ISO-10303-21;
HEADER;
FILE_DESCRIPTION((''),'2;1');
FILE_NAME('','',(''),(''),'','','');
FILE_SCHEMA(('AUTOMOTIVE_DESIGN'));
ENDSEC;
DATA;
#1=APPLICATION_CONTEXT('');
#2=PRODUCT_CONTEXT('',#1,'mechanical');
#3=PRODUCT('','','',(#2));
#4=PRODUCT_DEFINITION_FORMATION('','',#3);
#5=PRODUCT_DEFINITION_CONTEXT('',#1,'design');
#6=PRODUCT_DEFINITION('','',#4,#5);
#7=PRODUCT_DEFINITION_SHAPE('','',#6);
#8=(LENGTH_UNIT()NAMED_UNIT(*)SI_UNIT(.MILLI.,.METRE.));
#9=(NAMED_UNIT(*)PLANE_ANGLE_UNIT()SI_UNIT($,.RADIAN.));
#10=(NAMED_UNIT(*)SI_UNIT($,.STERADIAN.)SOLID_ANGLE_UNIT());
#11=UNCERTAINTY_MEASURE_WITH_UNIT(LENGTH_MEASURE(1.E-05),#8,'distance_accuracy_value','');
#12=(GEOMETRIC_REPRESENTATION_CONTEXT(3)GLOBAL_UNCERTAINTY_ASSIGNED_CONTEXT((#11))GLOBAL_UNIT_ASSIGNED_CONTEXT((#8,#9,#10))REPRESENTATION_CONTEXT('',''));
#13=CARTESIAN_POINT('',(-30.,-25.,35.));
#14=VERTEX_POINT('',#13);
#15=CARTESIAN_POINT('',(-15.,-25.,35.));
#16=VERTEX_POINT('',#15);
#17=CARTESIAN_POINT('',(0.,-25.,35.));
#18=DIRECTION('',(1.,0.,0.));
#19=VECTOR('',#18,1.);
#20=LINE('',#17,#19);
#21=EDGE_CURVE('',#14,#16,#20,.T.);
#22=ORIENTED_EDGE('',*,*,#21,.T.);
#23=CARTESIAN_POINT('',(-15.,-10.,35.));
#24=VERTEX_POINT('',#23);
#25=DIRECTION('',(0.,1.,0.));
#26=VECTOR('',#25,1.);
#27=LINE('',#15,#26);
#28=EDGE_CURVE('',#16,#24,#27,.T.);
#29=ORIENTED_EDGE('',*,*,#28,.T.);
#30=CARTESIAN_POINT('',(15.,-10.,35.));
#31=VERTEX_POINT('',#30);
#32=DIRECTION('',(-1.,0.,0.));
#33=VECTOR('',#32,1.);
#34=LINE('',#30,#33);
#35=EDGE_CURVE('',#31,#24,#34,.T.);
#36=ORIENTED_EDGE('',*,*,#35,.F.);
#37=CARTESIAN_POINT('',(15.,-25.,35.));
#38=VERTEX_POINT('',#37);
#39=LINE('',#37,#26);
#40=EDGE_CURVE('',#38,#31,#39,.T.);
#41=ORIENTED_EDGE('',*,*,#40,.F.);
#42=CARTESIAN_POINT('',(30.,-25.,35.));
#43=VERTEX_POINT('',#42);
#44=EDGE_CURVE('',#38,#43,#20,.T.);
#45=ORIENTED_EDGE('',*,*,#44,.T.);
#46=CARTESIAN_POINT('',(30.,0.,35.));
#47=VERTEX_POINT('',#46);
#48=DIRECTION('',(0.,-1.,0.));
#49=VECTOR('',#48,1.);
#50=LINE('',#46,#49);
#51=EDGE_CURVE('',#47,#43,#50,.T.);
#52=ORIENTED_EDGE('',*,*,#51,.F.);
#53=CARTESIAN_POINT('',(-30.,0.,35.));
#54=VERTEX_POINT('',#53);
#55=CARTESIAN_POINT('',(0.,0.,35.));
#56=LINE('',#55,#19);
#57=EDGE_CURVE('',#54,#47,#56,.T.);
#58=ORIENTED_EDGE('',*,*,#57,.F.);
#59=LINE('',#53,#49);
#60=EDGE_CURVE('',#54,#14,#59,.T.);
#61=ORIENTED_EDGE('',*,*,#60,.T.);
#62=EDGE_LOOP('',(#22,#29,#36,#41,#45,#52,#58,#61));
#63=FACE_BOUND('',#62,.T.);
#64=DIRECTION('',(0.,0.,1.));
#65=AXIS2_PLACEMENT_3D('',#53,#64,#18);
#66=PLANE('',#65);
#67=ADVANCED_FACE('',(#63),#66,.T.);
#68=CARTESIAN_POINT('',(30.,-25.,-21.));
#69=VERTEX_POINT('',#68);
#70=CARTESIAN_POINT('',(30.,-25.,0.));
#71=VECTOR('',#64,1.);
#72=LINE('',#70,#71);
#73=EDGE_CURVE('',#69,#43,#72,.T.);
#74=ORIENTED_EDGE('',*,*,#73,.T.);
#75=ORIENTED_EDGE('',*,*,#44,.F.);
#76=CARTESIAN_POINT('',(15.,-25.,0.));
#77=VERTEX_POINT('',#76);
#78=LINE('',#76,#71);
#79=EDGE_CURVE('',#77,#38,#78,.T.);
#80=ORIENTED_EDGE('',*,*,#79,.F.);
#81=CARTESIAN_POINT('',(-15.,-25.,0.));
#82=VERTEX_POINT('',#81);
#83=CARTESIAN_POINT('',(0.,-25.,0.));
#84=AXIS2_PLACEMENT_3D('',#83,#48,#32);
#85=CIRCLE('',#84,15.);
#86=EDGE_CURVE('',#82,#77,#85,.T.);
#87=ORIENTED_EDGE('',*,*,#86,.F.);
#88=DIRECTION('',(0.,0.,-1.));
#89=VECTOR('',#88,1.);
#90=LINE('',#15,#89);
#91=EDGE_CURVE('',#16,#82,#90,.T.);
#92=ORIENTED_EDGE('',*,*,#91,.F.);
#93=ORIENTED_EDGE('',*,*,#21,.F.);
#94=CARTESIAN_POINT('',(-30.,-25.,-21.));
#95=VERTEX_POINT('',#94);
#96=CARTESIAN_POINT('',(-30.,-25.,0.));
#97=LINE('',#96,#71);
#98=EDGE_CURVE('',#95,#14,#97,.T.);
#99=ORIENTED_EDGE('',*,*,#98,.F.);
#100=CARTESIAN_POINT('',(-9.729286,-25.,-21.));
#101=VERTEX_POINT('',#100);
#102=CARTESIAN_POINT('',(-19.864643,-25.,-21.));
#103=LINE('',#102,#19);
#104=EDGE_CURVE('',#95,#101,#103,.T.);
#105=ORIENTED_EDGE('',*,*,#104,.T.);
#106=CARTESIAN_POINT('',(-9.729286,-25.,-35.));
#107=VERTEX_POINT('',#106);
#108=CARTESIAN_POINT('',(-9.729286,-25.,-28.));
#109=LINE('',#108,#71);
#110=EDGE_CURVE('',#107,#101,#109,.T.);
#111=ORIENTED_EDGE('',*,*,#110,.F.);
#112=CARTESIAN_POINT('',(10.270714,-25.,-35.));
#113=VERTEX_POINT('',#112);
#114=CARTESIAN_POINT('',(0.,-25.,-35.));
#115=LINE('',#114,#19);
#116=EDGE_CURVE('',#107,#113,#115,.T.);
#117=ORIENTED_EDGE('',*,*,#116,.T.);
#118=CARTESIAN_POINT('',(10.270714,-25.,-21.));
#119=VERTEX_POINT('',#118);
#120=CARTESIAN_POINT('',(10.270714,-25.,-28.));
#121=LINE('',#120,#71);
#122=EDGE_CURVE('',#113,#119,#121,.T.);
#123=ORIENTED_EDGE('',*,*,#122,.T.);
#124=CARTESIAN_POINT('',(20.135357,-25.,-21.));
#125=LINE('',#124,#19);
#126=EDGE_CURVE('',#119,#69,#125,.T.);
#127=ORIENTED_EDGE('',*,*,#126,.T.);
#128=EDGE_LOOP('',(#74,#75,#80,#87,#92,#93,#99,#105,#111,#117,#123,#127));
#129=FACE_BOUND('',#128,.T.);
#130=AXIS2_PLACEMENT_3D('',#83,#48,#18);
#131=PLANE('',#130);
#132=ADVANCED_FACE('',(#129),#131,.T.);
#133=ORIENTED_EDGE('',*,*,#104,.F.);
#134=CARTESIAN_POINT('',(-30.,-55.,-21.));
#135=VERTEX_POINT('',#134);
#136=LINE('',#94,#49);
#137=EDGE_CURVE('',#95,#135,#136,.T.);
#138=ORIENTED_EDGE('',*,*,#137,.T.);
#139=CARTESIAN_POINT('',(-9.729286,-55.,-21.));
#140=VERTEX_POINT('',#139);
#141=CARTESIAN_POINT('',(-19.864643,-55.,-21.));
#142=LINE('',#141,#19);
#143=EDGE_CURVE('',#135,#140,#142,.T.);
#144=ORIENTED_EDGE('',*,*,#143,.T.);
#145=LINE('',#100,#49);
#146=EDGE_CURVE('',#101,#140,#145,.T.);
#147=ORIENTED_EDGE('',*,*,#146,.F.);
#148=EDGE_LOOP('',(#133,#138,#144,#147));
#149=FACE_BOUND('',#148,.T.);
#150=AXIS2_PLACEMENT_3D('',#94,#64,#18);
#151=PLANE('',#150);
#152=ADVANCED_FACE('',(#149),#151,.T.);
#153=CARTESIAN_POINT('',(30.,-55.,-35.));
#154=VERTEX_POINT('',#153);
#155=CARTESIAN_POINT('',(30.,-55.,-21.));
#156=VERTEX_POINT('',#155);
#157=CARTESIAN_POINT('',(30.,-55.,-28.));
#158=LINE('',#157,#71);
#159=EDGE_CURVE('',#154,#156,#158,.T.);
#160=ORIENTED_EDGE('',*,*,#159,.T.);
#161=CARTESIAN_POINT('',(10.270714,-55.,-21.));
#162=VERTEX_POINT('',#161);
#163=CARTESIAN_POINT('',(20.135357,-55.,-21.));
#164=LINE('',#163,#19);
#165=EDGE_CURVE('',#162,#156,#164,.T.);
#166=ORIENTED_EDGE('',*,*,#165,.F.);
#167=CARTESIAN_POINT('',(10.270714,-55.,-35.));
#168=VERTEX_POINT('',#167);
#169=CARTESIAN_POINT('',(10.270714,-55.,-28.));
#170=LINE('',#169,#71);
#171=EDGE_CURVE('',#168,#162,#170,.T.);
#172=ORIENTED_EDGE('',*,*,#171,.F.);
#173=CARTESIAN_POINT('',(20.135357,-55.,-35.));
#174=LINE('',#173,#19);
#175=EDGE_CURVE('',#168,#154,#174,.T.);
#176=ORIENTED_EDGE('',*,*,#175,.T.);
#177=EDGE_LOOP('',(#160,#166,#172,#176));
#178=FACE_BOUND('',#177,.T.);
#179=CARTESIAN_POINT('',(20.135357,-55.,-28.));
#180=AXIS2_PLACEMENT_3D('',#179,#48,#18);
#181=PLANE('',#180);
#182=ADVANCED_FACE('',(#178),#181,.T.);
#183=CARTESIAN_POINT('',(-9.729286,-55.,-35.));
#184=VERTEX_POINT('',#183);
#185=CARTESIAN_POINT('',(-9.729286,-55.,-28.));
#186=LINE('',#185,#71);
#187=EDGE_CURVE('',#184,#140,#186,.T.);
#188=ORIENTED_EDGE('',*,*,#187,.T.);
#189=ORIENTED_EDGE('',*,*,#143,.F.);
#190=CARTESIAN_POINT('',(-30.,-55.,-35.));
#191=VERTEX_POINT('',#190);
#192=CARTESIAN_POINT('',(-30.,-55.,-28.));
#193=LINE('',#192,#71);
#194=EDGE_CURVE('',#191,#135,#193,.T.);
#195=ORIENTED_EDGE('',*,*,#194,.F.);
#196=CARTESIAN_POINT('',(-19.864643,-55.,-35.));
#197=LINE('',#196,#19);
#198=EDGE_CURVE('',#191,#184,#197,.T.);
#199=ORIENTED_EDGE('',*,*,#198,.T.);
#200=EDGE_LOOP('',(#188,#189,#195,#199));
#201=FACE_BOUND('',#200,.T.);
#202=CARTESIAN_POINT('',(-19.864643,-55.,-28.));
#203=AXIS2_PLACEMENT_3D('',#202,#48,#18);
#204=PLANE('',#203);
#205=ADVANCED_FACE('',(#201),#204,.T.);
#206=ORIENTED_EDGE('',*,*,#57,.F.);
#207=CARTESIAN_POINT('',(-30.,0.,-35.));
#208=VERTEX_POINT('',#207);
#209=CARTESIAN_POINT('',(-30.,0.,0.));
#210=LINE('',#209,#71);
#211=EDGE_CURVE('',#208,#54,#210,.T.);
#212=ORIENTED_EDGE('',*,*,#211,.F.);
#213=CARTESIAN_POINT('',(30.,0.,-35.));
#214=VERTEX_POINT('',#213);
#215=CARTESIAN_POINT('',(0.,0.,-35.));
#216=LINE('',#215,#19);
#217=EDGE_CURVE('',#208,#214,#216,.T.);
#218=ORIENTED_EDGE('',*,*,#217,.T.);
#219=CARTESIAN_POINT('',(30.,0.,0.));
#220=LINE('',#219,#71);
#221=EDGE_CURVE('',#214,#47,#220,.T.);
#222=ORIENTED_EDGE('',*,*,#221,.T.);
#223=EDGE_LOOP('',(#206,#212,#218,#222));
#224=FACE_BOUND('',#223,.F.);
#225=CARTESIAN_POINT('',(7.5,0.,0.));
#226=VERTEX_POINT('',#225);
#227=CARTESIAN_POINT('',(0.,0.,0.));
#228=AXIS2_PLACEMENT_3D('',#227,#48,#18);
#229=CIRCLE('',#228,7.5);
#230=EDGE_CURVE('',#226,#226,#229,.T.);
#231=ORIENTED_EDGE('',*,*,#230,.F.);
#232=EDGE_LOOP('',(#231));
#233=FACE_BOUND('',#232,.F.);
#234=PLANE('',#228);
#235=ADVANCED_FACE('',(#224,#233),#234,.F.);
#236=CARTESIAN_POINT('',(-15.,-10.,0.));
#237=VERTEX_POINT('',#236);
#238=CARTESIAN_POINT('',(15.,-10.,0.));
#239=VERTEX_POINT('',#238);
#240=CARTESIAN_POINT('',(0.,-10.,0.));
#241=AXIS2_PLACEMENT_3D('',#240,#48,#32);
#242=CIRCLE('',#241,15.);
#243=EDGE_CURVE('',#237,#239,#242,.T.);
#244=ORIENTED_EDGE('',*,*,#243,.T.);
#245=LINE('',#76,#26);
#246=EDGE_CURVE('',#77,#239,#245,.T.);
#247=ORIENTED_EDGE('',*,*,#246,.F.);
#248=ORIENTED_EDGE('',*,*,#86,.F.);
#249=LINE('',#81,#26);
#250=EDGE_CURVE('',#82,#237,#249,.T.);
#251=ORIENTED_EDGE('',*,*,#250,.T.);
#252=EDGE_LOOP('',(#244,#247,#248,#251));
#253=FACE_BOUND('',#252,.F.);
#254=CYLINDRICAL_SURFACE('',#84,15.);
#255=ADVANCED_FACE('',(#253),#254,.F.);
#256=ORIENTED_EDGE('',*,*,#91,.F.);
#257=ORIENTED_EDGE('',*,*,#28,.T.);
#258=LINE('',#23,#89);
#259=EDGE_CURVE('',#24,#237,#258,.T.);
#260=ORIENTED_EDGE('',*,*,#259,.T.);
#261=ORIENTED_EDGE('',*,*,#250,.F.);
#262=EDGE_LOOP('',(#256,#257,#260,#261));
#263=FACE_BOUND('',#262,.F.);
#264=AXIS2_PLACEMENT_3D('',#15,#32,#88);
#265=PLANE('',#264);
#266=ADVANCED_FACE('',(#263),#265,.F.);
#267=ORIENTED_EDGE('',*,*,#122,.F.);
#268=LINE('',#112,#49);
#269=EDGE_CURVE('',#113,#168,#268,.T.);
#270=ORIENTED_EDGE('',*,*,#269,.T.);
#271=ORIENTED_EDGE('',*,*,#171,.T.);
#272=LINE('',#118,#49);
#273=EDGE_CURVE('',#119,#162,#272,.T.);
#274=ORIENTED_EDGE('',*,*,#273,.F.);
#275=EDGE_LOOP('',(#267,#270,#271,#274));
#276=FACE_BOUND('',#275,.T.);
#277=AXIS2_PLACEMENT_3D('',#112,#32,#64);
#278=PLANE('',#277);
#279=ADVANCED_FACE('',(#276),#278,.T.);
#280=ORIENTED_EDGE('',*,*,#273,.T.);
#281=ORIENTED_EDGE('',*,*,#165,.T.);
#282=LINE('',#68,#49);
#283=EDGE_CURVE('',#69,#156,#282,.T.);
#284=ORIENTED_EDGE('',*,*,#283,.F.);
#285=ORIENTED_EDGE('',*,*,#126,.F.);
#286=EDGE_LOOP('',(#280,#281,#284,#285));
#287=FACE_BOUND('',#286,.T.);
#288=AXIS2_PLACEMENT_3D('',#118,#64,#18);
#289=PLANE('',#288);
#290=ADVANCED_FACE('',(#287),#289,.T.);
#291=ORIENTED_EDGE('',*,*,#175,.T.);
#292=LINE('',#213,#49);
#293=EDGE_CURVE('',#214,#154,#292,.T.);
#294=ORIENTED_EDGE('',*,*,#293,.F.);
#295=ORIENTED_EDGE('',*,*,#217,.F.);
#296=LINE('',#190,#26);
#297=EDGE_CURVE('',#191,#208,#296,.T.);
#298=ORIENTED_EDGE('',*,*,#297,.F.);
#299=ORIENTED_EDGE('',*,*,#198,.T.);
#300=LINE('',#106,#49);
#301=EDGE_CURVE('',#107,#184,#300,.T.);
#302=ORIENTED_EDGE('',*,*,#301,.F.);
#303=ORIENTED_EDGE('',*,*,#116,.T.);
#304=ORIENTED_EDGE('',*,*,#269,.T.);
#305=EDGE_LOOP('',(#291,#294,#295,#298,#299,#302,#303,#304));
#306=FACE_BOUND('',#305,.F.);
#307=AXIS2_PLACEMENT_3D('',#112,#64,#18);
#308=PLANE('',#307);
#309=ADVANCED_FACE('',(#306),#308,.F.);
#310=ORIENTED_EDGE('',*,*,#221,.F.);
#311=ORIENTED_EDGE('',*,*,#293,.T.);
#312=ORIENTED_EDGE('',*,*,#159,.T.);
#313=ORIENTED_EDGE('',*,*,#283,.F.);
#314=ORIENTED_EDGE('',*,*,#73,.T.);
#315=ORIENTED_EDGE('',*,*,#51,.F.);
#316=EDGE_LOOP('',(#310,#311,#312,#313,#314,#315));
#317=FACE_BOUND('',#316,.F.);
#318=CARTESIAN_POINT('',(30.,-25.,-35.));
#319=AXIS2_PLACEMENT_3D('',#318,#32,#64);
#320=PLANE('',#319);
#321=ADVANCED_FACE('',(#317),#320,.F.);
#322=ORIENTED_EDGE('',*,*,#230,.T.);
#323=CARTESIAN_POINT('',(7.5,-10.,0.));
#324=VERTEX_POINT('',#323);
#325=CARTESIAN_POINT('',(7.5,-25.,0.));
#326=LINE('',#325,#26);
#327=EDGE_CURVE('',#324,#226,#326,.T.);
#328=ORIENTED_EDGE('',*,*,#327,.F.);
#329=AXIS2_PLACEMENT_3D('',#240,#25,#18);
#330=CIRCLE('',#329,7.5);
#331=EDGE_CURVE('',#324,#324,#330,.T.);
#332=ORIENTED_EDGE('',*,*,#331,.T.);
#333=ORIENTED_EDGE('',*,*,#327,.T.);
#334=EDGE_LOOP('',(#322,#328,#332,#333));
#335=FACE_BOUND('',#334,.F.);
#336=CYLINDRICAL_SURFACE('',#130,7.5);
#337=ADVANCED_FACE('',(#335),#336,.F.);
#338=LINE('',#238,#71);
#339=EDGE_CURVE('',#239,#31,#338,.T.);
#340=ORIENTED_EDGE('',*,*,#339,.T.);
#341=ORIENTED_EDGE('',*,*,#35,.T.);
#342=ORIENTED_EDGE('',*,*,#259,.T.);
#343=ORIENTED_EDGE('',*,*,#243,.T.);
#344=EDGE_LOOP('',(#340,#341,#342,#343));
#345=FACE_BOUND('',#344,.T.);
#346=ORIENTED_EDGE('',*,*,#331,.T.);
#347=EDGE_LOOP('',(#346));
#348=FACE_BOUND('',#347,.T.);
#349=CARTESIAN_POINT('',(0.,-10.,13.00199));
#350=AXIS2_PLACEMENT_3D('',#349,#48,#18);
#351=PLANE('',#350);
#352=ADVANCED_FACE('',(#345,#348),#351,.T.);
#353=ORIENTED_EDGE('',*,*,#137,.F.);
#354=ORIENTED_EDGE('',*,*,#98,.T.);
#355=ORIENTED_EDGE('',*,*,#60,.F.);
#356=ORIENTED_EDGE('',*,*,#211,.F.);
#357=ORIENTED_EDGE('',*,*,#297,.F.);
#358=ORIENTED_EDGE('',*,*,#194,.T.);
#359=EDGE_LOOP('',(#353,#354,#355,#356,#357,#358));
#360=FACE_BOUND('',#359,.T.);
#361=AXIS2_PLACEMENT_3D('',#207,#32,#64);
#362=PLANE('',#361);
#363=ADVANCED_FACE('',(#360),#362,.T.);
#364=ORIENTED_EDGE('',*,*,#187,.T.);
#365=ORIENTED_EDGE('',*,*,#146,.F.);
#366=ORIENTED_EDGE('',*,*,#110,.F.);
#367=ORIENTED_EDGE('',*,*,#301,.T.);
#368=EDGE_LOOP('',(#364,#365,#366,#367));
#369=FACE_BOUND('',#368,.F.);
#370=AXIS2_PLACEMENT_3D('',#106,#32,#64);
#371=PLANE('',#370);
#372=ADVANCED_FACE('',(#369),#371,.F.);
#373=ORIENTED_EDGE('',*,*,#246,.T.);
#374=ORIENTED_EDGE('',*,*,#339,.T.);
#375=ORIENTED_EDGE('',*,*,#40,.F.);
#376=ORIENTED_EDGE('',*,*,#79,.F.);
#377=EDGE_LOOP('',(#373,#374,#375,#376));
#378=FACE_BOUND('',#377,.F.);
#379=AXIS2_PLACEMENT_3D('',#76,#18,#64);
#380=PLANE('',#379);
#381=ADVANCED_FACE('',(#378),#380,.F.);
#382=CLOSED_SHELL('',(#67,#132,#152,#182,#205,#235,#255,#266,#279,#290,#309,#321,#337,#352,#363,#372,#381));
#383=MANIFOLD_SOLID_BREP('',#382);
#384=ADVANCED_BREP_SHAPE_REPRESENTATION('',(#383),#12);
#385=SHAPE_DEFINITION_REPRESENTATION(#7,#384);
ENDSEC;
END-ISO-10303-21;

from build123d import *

# Parameters (mm, degrees)
F0_W      = 60
F0_H      = 70
F1_DEPTH  = 25
F3_DEPTH  = 15
F4_R      = 7.5
F5_DEPTH  = 25
F5_FACE_R = 7.5
F6_DEPTH  = 25.001
F7_W      = 19.729286
F7_H      = 14
F7_W_2    = 20.270714
F8_DEPTH  = 30


with BuildPart() as f1:
    # F0 (on Front) → F1 (new body)
    with BuildSketch(Plane.XZ):
        Rectangle(F0_W, F0_H)
    extrude(amount=F1_DEPTH)

    # F2 (on face) → F3 (cut)
    with BuildSketch(Plane.XZ.offset(25)):
        with BuildLine():
            Line((-15, 35), (-15, 0))
            ThreePointArc((-15, 0), (0, -15), (15, 0))
            Line((15, 0), (15, 35))
            Line((15, 35), (-15, 35))
        make_face()
    extrude(amount=-F3_DEPTH, mode=Mode.SUBTRACT)

    # F4 (on Front) → F5 (join)
    with BuildSketch(Plane.XZ):
        Circle(F4_R)
    extrude(amount=F5_DEPTH)

    # F5_face (on face) → F6 (cut, through all)
    with BuildSketch(Plane.XZ.offset(25)):
        Circle(F5_FACE_R)
    extrude(amount=-F6_DEPTH, mode=Mode.SUBTRACT)

    # F7 (on face) → F8 (join)
    with BuildSketch(Plane.XZ.offset(25)):
        with Locations((20.135357, -28)):
            Rectangle(F7_W, F7_H)
        with Locations((-19.864643, -28)):
            Rectangle(F7_W_2, F7_H)
    extrude(amount=F8_DEPTH)


solid = f1.part
